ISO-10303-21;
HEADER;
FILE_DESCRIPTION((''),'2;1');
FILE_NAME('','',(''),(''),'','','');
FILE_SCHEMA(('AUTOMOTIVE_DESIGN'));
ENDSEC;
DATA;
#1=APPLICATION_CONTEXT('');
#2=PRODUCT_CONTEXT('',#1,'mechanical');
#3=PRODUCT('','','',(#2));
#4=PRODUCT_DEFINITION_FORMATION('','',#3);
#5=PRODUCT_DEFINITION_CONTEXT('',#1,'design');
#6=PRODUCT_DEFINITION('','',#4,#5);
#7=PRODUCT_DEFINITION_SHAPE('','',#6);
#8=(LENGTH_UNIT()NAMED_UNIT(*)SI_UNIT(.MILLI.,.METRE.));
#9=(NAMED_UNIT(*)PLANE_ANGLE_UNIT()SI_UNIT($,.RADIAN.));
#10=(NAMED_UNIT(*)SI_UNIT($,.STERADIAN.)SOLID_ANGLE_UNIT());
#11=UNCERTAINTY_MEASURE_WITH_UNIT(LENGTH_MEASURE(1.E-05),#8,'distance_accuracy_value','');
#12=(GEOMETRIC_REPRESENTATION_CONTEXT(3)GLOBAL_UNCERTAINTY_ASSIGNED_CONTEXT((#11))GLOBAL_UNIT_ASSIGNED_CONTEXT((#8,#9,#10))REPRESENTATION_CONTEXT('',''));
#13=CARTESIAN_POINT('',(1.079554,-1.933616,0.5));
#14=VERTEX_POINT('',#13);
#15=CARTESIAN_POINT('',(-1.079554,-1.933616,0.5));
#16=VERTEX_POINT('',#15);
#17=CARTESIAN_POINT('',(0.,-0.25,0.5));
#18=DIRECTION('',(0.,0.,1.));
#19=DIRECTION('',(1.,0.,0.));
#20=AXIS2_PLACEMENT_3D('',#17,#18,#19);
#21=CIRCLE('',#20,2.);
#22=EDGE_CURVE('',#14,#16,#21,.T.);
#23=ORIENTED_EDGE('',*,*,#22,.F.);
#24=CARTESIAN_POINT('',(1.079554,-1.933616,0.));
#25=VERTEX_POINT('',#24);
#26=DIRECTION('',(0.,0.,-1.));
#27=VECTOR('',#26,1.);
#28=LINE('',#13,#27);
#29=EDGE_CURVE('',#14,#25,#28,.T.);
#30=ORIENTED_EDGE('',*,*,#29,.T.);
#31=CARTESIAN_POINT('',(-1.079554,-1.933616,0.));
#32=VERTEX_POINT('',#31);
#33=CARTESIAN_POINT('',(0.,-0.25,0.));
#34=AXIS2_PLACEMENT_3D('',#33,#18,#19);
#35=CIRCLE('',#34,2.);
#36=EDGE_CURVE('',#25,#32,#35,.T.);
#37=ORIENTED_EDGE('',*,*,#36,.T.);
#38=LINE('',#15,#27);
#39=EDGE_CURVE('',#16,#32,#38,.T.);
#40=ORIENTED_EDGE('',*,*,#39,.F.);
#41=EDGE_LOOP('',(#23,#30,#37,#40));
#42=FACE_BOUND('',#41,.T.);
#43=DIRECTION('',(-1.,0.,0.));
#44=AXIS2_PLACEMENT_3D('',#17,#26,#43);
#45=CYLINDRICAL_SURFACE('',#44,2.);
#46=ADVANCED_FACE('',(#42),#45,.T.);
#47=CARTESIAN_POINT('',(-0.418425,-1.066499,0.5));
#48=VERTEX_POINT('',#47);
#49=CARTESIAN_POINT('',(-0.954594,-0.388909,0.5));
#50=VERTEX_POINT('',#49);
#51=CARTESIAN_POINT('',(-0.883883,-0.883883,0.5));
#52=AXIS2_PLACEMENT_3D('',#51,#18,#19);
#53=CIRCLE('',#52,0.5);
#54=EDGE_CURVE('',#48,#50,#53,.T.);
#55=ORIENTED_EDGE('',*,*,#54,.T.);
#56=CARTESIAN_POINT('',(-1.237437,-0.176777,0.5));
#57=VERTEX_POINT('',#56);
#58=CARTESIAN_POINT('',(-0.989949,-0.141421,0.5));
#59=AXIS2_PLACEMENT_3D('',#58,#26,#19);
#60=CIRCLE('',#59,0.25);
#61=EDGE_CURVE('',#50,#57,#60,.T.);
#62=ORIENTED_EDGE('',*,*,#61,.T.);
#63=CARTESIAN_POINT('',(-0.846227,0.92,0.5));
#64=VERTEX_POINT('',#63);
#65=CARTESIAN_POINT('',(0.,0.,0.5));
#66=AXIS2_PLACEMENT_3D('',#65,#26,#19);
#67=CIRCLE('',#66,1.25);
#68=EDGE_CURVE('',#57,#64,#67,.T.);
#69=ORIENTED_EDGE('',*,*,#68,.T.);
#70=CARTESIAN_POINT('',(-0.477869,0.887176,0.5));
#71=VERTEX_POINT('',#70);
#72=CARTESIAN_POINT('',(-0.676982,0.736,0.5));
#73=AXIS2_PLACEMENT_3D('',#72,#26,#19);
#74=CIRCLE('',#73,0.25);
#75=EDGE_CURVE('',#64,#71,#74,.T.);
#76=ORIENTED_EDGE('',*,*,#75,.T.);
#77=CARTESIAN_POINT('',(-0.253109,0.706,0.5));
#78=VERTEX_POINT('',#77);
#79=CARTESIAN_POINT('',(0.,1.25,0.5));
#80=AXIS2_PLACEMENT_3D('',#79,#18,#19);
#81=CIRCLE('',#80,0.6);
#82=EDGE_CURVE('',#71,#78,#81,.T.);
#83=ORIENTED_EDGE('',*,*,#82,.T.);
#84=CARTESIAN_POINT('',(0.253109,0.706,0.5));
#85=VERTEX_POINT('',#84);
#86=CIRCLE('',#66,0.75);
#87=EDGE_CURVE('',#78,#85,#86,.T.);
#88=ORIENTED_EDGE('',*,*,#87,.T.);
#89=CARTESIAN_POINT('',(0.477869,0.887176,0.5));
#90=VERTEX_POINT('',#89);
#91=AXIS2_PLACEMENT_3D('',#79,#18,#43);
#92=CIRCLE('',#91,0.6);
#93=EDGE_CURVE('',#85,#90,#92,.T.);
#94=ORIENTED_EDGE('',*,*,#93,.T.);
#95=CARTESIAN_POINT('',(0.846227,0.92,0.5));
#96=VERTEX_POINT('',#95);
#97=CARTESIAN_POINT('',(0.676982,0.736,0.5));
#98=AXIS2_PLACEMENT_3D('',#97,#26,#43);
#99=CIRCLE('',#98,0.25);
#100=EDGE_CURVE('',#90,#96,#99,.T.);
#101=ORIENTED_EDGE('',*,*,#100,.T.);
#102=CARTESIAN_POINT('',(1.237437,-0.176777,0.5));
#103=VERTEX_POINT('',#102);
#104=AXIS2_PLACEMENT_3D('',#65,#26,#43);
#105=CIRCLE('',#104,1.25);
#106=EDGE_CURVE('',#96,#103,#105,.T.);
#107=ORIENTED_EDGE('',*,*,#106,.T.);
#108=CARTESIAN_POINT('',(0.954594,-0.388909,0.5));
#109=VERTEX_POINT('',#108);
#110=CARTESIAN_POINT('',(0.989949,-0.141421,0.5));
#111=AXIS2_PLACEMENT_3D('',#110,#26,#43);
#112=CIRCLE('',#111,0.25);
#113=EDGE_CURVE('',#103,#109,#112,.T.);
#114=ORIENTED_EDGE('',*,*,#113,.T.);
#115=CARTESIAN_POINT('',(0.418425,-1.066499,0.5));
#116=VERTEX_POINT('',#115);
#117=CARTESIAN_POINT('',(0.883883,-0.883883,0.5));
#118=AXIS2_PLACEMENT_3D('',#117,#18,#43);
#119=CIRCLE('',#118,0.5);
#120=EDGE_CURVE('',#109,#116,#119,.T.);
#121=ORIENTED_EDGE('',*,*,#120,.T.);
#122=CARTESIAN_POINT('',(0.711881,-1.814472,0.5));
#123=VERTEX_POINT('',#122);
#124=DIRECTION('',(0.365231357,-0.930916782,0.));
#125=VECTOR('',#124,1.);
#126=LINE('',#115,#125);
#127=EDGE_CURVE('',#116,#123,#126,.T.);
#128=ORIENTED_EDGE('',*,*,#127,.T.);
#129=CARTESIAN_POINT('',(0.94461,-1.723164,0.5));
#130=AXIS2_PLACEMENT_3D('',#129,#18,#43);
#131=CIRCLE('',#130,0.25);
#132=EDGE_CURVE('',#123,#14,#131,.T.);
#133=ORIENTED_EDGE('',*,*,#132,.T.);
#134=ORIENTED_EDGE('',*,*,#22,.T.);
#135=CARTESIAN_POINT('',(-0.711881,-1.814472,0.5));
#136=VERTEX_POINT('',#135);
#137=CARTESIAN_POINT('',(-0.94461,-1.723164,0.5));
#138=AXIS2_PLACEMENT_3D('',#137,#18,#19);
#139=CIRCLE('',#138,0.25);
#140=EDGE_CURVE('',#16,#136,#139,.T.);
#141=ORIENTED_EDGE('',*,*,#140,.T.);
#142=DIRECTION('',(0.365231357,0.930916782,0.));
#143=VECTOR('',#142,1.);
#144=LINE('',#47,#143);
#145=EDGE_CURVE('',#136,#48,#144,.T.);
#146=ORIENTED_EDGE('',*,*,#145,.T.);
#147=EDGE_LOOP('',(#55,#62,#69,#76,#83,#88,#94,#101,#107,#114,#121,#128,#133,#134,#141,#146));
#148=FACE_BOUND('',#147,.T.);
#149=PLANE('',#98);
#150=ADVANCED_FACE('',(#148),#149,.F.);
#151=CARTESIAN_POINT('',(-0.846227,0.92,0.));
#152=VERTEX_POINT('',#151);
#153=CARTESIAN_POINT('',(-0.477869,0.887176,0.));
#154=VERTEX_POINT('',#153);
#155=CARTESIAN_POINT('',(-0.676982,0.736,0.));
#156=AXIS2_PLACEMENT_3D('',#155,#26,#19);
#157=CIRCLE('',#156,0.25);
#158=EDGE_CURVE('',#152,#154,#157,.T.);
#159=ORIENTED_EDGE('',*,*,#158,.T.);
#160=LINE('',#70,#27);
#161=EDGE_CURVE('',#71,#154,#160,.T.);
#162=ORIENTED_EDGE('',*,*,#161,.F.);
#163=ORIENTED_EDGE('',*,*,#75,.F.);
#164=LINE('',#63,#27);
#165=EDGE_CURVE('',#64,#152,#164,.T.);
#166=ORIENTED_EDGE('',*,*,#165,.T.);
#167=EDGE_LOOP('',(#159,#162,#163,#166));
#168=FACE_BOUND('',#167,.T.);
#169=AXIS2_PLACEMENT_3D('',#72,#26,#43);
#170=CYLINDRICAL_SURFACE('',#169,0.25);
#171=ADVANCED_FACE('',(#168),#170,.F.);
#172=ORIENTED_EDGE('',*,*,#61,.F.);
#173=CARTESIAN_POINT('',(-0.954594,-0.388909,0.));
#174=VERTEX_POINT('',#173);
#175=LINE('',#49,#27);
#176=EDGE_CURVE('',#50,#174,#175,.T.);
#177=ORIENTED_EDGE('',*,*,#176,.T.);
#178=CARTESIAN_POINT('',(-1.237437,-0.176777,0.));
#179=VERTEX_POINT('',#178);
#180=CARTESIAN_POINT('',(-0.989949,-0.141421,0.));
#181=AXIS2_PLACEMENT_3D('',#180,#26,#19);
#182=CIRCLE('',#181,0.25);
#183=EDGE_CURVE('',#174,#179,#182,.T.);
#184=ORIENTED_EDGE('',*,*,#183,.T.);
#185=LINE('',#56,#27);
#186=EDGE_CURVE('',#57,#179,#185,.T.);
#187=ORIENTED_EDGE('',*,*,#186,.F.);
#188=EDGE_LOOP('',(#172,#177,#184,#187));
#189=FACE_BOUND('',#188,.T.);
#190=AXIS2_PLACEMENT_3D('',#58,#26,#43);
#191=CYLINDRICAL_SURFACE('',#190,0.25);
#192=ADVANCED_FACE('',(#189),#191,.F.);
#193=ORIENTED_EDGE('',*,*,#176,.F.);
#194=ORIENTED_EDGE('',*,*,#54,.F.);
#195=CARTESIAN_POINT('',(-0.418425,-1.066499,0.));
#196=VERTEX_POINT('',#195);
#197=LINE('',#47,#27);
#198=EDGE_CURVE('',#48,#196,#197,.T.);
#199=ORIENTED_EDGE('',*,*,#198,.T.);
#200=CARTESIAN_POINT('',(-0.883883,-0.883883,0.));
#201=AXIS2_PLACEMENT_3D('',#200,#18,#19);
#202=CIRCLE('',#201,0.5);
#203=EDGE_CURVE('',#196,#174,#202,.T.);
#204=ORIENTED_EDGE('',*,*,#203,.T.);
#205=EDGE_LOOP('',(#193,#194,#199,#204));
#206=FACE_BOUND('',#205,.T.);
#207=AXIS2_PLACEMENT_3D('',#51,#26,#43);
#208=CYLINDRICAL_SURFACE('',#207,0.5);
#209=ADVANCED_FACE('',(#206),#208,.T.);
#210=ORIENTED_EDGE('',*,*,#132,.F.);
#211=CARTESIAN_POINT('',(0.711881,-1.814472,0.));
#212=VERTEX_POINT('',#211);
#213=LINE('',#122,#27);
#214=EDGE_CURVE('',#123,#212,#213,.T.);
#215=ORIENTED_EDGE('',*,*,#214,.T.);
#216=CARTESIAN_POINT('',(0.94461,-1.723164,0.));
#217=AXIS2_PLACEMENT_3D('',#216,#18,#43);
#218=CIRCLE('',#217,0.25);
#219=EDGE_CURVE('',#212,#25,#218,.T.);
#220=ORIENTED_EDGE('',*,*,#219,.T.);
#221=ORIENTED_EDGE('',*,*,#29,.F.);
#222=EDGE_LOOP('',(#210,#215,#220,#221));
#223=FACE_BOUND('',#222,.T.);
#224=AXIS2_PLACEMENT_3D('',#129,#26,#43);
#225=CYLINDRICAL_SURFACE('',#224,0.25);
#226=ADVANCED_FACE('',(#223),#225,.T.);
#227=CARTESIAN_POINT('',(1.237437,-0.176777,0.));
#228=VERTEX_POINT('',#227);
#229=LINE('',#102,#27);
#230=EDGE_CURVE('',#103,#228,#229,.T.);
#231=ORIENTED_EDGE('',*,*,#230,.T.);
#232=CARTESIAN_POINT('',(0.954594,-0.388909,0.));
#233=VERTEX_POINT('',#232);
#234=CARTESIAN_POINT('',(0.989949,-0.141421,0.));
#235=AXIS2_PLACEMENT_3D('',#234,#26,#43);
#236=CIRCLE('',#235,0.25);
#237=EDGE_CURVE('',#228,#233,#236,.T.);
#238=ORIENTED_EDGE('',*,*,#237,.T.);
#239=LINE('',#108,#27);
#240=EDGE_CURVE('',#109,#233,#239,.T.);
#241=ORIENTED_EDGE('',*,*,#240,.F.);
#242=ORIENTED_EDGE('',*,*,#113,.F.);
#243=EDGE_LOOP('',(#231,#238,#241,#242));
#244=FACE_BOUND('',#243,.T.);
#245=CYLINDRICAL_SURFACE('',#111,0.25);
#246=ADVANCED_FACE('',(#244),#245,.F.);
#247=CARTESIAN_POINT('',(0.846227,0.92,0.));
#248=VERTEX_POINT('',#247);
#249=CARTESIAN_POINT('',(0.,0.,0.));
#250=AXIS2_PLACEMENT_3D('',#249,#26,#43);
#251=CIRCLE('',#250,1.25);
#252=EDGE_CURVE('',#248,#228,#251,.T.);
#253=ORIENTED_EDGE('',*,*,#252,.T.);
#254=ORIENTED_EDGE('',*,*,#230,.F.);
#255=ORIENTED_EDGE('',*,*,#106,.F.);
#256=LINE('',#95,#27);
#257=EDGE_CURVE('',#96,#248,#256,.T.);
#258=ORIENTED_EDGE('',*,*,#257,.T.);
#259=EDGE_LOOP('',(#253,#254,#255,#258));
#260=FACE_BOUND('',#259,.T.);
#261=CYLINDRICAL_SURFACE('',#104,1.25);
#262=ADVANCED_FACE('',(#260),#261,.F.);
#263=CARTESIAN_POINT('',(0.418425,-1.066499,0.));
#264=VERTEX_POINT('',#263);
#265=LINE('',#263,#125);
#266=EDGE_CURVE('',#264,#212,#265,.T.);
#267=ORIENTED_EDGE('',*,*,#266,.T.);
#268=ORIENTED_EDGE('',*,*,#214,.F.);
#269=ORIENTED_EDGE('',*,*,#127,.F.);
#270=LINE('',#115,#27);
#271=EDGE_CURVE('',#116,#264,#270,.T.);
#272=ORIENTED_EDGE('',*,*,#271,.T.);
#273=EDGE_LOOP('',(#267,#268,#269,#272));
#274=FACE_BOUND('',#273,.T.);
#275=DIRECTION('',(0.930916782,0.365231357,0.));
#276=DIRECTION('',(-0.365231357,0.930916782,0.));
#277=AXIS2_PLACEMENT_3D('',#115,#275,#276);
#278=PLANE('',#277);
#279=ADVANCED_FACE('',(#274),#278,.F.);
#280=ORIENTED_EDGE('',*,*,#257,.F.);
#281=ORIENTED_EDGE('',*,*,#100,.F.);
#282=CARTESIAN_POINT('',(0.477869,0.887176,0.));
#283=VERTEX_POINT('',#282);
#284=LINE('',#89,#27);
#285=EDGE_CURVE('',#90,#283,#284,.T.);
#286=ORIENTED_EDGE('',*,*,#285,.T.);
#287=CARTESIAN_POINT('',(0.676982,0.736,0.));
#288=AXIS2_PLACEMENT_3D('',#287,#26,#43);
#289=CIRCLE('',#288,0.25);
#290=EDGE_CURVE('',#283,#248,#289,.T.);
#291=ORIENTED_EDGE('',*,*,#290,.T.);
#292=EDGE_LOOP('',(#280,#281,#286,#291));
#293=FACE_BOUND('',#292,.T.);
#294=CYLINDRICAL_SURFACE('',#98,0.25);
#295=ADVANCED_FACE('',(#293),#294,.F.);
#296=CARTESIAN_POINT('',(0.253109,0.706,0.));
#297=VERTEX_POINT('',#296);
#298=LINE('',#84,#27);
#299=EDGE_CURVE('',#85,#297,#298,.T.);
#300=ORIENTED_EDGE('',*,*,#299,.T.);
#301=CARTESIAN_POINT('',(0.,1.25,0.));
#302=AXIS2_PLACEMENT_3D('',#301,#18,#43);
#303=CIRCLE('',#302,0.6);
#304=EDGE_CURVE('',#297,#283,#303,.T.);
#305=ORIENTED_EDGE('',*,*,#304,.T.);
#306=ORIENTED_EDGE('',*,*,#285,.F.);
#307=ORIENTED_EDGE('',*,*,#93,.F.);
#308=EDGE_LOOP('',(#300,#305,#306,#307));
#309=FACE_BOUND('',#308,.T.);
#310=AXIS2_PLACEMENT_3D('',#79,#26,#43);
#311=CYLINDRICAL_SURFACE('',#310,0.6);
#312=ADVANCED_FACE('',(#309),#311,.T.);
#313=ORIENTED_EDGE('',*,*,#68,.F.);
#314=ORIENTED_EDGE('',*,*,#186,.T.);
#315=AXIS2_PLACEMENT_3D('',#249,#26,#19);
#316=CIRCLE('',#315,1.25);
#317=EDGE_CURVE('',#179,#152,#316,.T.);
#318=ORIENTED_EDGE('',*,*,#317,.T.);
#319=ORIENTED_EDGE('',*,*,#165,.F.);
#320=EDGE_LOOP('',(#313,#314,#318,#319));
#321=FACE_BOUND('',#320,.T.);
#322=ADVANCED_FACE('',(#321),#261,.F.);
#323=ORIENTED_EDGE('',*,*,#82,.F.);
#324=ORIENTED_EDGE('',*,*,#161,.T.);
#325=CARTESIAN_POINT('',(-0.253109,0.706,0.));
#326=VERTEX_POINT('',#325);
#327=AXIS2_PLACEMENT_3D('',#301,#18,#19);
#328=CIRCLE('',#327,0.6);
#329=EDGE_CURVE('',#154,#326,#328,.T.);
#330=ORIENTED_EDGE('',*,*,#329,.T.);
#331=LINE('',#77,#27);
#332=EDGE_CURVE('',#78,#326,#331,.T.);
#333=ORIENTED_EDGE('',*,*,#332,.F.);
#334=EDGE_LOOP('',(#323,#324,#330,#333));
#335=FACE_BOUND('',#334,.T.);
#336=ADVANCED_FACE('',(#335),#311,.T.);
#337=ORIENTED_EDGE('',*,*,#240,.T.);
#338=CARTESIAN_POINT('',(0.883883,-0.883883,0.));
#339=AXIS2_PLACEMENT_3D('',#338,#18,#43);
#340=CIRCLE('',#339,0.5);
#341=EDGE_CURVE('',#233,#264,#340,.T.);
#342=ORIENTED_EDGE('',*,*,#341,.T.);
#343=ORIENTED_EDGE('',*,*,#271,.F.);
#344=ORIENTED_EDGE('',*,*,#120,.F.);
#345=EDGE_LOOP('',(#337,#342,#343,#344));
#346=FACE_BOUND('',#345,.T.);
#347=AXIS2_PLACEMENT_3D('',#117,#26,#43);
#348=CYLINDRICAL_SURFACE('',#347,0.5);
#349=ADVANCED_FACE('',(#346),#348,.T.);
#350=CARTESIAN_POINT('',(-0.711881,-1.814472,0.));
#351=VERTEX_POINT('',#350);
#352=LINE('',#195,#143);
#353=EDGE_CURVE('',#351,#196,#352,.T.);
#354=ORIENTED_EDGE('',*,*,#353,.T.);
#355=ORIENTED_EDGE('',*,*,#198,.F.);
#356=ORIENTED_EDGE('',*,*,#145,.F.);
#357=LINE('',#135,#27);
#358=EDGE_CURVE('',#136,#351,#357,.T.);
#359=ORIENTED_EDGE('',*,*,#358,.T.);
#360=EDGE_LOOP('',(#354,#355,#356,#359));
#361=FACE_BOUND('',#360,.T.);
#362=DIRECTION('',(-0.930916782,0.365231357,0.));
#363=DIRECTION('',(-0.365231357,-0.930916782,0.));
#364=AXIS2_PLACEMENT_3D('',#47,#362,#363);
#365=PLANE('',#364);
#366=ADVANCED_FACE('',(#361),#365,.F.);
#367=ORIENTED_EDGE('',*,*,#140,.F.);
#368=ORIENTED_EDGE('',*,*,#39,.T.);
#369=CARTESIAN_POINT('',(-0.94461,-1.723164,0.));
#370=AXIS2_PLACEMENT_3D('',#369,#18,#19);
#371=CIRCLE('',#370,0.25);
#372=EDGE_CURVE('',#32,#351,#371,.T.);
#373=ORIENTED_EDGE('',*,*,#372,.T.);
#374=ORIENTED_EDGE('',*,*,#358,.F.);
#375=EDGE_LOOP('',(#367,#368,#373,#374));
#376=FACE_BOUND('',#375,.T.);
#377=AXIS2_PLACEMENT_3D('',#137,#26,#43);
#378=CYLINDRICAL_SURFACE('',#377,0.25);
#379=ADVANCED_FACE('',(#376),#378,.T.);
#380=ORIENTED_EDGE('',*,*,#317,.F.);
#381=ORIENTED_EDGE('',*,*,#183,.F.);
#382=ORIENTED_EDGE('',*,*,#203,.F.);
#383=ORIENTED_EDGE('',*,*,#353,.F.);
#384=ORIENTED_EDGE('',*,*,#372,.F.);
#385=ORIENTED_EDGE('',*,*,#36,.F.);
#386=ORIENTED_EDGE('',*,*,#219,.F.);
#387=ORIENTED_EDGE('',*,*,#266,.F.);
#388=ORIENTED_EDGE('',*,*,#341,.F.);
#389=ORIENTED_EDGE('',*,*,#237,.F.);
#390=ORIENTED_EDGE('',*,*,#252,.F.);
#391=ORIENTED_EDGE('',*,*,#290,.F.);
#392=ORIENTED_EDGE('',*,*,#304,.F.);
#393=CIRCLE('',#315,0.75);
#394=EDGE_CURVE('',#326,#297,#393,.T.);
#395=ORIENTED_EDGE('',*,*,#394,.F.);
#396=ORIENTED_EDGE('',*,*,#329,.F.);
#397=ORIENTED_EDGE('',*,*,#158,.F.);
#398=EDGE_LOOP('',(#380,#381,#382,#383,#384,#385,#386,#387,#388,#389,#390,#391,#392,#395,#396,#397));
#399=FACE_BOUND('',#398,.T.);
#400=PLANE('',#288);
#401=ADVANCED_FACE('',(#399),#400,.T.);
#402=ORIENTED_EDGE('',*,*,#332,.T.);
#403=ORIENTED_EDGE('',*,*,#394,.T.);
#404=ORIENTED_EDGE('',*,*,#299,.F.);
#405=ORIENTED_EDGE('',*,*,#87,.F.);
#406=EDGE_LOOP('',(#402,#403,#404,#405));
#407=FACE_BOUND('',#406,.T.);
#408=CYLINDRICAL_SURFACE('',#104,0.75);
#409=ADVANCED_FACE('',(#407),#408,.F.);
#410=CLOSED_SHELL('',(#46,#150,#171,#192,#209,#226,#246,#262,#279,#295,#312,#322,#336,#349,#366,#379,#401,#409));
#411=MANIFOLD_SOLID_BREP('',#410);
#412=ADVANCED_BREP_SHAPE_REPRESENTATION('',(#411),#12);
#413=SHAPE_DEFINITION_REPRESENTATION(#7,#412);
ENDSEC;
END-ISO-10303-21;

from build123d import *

# Parameters (mm, degrees)
BOSS_EXTRU_1_DEPTH = 0.5


with BuildPart() as part:
    # Esquisse1 → Boss.-Extru.1 (new body)
    with BuildSketch(Plane.XY):
        with BuildLine():
            Line((-0.418425085, -1.066499155), (-0.711880974, -1.814471655))
            ThreePointArc((-0.711880974, -1.814471655), (-0.867543301, -1.960988747), (-1.079554479, -1.933615789))
            ThreePointArc((-1.079554479, -1.933615789), (0, 1.75), (1.079554479, -1.933615789))
            ThreePointArc((1.079554479, -1.933615789), (0.867543301, -1.960988747), (0.711880974, -1.814471655))
            Line((0.711880974, -1.814471655), (0.418425085, -1.066499155))
            ThreePointArc((0.418425085, -1.066499155), (0.49178829, -0.57362332), (0.954594155, -0.38890873))
            ThreePointArc((0.954594155, -0.38890873), (1.139949494, -0.341421356), (1.237436867, -0.176776695))
            ThreePointArc((1.237436867, -0.176776695), (1.177345945, 0.419948242), (0.84622692, 0.92))
            ThreePointArc((0.84622692, 0.92), (0.654792508, 0.985013347), (0.477869319, 0.887176471))
            ThreePointArc((0.477869319, 0.887176471), (0.376548051, 0.782868792), (0.253108672, 0.706))
            ThreePointArc((0.253108672, 0.706), (0, 0.75), (-0.253108672, 0.706))
            ThreePointArc((-0.253108672, 0.706), (-0.376548051, 0.782868792), (-0.477869319, 0.887176471))
            ThreePointArc((-0.477869319, 0.887176471), (-0.654792508, 0.985013347), (-0.84622692, 0.92))
            ThreePointArc((-0.84622692, 0.92), (-1.177345945, 0.419948242), (-1.237436867, -0.176776695))
            ThreePointArc((-1.237436867, -0.176776695), (-1.139949494, -0.341421356), (-0.954594155, -0.38890873))
            ThreePointArc((-0.954594155, -0.38890873), (-0.49178829, -0.57362332), (-0.418425085, -1.066499155))
        make_face()
    extrude(amount=BOSS_EXTRU_1_DEPTH)


solid = part.part
